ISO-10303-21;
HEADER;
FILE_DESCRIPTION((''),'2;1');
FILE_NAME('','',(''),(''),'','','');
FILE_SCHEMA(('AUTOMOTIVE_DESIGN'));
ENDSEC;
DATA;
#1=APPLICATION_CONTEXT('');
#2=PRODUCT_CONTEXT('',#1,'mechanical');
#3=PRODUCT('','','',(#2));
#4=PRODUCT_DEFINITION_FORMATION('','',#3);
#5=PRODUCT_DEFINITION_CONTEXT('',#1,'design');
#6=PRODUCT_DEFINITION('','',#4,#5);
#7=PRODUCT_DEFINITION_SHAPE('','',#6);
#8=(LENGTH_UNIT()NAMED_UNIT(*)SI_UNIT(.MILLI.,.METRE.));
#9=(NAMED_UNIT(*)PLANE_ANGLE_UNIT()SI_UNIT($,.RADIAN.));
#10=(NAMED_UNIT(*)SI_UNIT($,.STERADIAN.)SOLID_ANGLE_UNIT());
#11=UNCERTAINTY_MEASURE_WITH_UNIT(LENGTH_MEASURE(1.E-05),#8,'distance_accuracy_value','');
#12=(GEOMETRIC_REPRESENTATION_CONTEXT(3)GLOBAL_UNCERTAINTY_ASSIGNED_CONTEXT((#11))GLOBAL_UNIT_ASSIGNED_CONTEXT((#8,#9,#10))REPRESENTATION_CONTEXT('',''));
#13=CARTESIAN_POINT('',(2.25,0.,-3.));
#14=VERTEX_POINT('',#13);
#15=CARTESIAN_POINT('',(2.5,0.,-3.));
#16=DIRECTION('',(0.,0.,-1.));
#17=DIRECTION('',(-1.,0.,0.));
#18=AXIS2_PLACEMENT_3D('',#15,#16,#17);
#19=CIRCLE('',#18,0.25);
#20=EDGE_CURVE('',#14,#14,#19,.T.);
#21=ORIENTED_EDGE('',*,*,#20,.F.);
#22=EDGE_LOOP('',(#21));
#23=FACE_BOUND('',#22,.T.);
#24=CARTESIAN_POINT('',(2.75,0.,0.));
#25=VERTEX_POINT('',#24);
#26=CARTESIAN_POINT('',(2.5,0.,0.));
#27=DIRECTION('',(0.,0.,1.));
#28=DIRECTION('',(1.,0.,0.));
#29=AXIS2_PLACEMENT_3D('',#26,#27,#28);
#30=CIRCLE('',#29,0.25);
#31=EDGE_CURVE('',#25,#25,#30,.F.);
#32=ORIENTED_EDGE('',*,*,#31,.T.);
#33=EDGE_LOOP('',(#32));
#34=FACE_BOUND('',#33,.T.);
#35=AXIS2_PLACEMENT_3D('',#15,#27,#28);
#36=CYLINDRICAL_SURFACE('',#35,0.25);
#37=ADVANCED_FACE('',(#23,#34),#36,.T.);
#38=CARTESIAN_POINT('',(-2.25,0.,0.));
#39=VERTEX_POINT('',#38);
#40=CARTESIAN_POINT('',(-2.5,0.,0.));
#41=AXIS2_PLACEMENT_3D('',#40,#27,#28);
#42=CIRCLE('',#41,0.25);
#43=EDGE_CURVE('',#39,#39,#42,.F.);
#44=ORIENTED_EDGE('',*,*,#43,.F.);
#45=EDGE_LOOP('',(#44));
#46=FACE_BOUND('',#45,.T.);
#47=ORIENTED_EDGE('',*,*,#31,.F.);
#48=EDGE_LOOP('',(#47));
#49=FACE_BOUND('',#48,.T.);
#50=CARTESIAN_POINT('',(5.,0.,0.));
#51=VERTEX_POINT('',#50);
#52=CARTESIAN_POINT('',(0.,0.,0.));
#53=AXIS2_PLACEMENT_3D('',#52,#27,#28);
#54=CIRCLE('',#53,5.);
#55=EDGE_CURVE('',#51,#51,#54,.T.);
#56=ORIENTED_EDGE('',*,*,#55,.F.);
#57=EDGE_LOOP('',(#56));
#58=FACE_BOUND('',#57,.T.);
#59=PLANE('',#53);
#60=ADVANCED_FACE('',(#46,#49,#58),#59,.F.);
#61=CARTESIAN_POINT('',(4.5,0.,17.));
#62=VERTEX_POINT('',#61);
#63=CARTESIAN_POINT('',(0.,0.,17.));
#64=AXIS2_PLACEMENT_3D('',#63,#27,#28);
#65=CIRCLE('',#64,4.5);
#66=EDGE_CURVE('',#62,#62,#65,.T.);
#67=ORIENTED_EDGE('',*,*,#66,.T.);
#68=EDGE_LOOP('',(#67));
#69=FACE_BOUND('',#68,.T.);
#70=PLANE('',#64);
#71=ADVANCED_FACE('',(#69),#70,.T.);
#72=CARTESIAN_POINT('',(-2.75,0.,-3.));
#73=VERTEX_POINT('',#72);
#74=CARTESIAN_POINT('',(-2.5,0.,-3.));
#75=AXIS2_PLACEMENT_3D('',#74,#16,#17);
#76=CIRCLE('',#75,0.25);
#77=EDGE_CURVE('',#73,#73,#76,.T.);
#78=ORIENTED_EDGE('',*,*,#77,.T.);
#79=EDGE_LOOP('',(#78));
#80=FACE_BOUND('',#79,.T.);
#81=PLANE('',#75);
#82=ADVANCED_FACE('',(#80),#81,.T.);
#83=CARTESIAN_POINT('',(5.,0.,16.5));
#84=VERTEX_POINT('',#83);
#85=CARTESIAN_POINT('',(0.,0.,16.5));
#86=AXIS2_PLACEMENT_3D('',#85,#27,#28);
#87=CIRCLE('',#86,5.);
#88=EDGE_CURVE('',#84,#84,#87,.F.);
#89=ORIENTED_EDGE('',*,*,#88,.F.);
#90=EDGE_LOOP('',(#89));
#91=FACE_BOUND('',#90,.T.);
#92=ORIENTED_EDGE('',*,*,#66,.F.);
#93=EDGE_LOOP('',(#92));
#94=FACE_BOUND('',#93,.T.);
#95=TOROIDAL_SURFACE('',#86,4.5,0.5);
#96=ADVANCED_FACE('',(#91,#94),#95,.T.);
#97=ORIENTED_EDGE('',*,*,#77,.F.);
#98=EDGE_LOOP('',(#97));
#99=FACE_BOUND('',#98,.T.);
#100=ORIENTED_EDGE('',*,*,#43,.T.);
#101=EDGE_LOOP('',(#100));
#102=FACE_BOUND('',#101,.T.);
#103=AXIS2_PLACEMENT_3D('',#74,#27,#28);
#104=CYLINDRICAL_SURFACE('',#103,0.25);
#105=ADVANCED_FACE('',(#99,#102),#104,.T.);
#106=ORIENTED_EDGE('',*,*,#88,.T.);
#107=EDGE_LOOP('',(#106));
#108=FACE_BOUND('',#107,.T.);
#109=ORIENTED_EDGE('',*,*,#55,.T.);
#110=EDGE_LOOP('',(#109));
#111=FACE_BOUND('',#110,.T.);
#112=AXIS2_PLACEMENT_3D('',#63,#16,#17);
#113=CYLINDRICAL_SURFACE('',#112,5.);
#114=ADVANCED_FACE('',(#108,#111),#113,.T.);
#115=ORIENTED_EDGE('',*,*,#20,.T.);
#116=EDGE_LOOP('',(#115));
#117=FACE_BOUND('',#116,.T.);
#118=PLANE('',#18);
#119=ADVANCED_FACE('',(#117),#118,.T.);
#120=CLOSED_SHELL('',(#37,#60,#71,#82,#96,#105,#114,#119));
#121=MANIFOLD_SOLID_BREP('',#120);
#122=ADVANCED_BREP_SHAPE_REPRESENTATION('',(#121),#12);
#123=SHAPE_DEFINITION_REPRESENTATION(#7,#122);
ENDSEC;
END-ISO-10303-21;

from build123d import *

# Parameters (mm, degrees)
SKETCH_1_R      = 5
EXTRUDE_1_DEPTH = 17
SKETCH_2_R      = 0.25
EXTRUDE_2_DEPTH = 3
FILLET_1_R      = 0.5


with BuildPart() as part:
    # Эскиз1 → Вытянуть1 (new body)
    with BuildSketch(Plane.XY):
        Circle(SKETCH_1_R)
    extrude(amount=EXTRUDE_1_DEPTH)

    # Эскиз2 → Вытянуть2 (add)
    with BuildSketch(Plane(origin=(0, 0, 0), x_dir=(-1, 0, 0), z_dir=(0, 0, -1))):
        with Locations(Location((-2.5, 0, 0), (0, 0, 180))):
            Circle(SKETCH_2_R)
        with Locations(Location((2.5, 0, 0), (0, 0, 180))):
            Circle(SKETCH_2_R)
    extrude(amount=EXTRUDE_2_DEPTH)

    # Скругление1
    fillet_1_edges = [part.edges().sort_by_distance(p)[0] for p in [
        (-5, 0, 17),
    ]]
    fillet(fillet_1_edges, radius=FILLET_1_R)


solid = part.part
